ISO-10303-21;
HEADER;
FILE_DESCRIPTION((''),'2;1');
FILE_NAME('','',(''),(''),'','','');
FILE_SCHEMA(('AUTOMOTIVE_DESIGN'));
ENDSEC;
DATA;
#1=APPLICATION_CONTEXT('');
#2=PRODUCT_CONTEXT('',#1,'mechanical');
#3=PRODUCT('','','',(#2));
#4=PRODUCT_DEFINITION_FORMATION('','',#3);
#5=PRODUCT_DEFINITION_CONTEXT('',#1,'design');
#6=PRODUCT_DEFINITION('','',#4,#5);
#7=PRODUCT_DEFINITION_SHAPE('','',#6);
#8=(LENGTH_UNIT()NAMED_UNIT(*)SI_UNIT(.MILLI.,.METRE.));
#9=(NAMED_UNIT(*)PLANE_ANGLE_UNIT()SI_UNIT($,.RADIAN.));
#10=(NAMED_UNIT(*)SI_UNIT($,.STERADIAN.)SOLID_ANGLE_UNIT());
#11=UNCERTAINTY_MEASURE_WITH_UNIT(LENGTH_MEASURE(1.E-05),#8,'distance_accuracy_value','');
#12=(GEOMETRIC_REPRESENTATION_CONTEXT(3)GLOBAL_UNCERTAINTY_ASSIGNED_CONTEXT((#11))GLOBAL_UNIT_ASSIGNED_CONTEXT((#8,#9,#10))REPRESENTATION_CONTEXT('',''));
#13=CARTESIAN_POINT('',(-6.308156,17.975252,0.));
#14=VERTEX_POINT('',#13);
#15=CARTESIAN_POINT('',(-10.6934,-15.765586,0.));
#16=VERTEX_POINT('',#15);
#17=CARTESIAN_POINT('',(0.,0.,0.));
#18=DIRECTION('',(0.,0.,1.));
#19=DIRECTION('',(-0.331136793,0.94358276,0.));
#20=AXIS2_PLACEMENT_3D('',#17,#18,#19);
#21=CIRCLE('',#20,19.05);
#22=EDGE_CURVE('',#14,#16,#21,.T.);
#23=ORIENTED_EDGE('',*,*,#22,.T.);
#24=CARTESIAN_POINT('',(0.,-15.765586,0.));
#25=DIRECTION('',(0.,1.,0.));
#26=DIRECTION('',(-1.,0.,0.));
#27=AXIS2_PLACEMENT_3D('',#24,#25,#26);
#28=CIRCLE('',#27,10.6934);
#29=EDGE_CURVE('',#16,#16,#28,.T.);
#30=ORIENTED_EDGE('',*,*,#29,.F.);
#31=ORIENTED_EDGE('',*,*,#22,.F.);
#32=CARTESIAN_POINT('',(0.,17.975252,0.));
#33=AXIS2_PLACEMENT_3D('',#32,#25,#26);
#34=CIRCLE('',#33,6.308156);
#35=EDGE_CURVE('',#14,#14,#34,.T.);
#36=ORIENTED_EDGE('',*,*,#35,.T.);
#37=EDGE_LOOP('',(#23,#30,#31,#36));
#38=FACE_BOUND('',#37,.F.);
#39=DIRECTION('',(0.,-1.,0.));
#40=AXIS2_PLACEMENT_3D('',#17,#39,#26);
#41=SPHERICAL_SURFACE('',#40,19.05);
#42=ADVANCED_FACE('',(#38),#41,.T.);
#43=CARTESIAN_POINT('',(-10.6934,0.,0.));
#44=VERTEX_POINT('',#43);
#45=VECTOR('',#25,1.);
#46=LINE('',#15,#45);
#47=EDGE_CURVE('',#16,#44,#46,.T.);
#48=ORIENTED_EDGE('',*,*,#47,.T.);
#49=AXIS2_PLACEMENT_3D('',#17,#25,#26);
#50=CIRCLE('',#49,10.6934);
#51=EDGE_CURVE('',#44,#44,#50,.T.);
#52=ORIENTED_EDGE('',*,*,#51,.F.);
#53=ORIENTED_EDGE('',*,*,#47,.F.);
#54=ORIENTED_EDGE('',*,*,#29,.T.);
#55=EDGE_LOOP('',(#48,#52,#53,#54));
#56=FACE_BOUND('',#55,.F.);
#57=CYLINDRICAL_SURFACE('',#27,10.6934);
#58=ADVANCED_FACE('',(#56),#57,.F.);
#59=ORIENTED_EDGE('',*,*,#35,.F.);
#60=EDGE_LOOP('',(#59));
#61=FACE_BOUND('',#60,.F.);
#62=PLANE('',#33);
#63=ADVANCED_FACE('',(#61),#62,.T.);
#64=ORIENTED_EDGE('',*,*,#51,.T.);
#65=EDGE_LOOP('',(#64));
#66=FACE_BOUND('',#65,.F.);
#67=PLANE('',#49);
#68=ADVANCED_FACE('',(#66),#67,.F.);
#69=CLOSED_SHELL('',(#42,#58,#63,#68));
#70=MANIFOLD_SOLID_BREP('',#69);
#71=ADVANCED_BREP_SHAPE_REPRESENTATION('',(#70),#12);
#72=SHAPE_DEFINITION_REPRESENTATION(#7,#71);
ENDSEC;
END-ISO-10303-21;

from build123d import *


with BuildPart() as f1:
    # F0 (on Top) → F1 (revolve)
    with BuildSketch(Plane.XY):
        with BuildLine():
            ThreePointArc((-6.308156, 17.975252), (-18.891116, 2.455249), (-10.6934, -15.765586))
            Line((-10.6934, -15.765586), (-10.6934, 0))
            Line((-10.6934, 0), (0, 0))
            Line((0, 0), (0, 17.975252))
            Line((0, 17.975252), (-6.308156, 17.975252))
        make_face()
    revolve(axis=Axis((0, 0, 0), (0, 1, 0)))


solid = f1.part
